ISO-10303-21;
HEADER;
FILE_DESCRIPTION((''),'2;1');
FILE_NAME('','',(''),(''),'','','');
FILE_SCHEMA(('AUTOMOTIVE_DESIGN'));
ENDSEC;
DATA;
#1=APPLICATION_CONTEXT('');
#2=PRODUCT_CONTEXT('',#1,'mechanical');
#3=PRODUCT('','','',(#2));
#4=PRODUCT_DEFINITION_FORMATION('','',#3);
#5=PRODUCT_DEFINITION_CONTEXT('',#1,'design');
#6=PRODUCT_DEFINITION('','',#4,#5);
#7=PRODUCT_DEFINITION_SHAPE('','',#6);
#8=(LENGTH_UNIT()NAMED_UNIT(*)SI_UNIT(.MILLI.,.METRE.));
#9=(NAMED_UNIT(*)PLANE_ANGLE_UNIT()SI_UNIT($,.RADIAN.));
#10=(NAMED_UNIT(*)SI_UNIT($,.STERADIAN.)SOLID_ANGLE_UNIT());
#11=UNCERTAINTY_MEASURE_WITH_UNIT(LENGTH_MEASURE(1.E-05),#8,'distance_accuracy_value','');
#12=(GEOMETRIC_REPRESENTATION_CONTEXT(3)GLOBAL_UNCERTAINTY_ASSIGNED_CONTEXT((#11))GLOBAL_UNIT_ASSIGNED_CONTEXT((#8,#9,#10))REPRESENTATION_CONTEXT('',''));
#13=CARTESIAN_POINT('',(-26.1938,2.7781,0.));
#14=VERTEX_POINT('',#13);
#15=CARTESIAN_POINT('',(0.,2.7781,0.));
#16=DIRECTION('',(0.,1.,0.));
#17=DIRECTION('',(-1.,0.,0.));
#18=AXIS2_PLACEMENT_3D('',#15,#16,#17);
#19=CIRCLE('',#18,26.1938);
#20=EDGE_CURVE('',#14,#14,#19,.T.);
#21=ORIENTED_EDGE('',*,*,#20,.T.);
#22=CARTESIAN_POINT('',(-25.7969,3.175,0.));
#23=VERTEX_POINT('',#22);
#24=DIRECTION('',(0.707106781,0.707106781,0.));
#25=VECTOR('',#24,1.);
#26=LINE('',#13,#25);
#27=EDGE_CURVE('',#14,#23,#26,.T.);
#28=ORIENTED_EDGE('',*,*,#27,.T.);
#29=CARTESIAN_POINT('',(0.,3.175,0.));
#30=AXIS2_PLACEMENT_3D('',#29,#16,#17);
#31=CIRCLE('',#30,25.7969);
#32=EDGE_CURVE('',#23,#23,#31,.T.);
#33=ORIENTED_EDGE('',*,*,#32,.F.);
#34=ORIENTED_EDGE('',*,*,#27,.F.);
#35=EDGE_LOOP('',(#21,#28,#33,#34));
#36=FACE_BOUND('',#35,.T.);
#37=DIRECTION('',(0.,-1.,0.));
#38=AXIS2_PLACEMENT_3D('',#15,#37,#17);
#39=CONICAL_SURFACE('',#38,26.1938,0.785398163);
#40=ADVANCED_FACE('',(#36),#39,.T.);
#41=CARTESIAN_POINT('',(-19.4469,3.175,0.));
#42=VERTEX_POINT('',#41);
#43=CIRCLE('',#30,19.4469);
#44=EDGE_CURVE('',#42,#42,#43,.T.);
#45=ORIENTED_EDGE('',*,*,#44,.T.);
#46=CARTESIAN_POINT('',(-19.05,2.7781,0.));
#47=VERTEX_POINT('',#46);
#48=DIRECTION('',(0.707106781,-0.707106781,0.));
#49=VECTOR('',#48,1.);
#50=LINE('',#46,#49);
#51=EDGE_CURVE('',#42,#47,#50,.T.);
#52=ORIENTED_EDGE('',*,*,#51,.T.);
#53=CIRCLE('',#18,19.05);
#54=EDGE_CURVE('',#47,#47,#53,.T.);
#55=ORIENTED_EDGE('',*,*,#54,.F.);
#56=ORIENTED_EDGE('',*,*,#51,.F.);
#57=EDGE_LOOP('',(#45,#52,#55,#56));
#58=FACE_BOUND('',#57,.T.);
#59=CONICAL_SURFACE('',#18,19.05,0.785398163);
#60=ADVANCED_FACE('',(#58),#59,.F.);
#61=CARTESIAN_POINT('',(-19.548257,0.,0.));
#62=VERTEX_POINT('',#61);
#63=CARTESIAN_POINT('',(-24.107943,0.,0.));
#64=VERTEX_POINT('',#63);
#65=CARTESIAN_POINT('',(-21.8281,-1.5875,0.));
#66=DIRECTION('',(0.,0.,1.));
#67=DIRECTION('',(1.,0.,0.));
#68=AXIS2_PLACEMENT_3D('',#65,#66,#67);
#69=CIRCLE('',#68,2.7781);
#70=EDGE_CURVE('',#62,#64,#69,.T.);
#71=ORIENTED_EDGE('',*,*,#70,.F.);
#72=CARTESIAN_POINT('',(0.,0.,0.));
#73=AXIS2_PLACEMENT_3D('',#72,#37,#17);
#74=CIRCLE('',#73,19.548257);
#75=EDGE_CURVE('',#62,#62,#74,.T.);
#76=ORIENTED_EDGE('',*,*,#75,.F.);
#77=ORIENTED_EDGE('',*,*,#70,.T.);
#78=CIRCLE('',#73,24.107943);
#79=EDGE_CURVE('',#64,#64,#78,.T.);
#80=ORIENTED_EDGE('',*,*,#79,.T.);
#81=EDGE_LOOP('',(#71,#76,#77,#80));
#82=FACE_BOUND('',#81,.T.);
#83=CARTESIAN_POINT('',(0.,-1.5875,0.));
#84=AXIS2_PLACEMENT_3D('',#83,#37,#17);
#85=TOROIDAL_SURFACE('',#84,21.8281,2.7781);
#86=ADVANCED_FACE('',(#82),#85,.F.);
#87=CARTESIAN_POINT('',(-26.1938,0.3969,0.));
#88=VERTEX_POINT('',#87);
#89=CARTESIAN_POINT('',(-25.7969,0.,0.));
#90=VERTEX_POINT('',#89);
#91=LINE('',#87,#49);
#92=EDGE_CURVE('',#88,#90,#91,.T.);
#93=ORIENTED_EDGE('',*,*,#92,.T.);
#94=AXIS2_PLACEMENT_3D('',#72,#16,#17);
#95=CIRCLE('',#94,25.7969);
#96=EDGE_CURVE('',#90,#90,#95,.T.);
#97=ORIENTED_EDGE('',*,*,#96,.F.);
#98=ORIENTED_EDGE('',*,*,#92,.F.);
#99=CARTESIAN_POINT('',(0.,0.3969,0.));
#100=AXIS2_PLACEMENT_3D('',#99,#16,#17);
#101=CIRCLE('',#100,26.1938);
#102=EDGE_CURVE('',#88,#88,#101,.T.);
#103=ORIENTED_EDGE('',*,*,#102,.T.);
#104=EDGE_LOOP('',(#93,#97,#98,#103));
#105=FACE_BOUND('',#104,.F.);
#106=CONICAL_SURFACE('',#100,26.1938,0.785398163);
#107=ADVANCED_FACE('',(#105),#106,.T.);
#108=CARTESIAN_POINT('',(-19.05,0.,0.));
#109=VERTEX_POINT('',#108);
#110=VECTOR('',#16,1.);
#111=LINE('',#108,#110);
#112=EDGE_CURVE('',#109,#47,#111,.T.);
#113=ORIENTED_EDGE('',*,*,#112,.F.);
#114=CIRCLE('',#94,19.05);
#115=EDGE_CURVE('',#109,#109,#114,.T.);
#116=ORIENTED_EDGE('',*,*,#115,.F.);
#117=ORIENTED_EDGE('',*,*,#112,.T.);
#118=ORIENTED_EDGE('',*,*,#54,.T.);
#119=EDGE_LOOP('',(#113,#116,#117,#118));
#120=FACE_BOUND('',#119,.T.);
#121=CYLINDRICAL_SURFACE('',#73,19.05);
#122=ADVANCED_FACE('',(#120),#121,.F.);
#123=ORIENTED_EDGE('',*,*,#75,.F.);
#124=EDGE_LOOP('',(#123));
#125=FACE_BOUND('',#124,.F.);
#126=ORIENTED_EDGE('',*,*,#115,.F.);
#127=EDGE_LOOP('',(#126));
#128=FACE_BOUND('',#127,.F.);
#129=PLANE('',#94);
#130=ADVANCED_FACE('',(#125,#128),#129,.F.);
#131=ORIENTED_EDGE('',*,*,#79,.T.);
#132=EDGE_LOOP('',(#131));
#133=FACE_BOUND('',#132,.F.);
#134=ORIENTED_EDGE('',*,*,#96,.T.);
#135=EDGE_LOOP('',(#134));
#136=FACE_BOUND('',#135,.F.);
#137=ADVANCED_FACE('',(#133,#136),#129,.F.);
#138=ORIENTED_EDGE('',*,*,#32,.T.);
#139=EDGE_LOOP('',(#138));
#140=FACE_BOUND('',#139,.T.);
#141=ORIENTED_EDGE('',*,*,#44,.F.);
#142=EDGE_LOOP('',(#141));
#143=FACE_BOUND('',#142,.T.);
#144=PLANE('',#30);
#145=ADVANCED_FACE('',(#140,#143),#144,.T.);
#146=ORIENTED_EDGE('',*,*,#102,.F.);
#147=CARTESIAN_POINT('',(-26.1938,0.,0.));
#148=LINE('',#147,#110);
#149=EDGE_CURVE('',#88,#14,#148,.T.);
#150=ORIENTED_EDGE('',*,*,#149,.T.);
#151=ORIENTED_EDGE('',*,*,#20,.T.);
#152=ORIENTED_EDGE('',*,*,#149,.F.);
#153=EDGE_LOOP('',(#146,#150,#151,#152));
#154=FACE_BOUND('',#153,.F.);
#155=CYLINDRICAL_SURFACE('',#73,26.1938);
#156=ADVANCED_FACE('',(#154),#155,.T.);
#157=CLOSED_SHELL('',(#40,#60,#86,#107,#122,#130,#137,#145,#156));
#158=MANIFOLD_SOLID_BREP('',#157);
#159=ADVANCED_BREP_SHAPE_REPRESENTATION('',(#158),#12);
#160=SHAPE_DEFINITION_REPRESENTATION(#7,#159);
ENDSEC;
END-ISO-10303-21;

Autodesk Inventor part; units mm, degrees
ref_plane "YZ Plane" through (0, 0, 0) normal (1, 0, 0) x (0, 1, 0)
ref_plane "XZ Plane" through (0, 0, 0) normal (0, 1, 0) x (-1, 0, 0)
ref_plane "XY Plane" through (0, 0, 0) normal (0, 0, 1) x (1, 0, 0)
sketch "Sketch1" plane through (0, 0, 0) normal (0, 1, 0) x (-1, 0, 0)
  circle A0 centre (0, 0) radius 26.1938
  circle A1 centre (0, 0) radius 19.05
  dimension "d0" = 52.3875
  dimension "d1" = 38.1
extrude "Extrusion1" add sketch "Sketch1" along normal blind 3.175
sketch "Sketch2" plane through (0, 0, 0) normal (0, 0, 1) x (1, 0, 0)
  line L0 (-21.8281, 0) -> (-21.8281, -1.5875)
  circle A0 centre (-21.8281, -1.5875) radius 2.7781
  line L1 (0, 0) -> (0, 3.175)
  line L2 (26.1938, 3.175) -> (-26.1938, 3.175) projected
  dimension "d4" = 1.5875
  dimension "d5" = 5.5563
revolve "Revolution1" cut sketch "Sketch2" angle 360 about axis through (0, 0, 0) along (0, 1, 0)
chamfer "Chamfer1" distance 0.3969 angle 45 1 edges at (26.1938, 3.175, 0)
chamfer "Chamfer2" distance 0.3969 angle 45 1 edges at (26.1938, 0, 0)
chamfer "Chamfer3" distance 0.3969 angle 45 1 edges at (19.05, 3.175, 0)
properties part number "ThrustBearing-UpperRing"
